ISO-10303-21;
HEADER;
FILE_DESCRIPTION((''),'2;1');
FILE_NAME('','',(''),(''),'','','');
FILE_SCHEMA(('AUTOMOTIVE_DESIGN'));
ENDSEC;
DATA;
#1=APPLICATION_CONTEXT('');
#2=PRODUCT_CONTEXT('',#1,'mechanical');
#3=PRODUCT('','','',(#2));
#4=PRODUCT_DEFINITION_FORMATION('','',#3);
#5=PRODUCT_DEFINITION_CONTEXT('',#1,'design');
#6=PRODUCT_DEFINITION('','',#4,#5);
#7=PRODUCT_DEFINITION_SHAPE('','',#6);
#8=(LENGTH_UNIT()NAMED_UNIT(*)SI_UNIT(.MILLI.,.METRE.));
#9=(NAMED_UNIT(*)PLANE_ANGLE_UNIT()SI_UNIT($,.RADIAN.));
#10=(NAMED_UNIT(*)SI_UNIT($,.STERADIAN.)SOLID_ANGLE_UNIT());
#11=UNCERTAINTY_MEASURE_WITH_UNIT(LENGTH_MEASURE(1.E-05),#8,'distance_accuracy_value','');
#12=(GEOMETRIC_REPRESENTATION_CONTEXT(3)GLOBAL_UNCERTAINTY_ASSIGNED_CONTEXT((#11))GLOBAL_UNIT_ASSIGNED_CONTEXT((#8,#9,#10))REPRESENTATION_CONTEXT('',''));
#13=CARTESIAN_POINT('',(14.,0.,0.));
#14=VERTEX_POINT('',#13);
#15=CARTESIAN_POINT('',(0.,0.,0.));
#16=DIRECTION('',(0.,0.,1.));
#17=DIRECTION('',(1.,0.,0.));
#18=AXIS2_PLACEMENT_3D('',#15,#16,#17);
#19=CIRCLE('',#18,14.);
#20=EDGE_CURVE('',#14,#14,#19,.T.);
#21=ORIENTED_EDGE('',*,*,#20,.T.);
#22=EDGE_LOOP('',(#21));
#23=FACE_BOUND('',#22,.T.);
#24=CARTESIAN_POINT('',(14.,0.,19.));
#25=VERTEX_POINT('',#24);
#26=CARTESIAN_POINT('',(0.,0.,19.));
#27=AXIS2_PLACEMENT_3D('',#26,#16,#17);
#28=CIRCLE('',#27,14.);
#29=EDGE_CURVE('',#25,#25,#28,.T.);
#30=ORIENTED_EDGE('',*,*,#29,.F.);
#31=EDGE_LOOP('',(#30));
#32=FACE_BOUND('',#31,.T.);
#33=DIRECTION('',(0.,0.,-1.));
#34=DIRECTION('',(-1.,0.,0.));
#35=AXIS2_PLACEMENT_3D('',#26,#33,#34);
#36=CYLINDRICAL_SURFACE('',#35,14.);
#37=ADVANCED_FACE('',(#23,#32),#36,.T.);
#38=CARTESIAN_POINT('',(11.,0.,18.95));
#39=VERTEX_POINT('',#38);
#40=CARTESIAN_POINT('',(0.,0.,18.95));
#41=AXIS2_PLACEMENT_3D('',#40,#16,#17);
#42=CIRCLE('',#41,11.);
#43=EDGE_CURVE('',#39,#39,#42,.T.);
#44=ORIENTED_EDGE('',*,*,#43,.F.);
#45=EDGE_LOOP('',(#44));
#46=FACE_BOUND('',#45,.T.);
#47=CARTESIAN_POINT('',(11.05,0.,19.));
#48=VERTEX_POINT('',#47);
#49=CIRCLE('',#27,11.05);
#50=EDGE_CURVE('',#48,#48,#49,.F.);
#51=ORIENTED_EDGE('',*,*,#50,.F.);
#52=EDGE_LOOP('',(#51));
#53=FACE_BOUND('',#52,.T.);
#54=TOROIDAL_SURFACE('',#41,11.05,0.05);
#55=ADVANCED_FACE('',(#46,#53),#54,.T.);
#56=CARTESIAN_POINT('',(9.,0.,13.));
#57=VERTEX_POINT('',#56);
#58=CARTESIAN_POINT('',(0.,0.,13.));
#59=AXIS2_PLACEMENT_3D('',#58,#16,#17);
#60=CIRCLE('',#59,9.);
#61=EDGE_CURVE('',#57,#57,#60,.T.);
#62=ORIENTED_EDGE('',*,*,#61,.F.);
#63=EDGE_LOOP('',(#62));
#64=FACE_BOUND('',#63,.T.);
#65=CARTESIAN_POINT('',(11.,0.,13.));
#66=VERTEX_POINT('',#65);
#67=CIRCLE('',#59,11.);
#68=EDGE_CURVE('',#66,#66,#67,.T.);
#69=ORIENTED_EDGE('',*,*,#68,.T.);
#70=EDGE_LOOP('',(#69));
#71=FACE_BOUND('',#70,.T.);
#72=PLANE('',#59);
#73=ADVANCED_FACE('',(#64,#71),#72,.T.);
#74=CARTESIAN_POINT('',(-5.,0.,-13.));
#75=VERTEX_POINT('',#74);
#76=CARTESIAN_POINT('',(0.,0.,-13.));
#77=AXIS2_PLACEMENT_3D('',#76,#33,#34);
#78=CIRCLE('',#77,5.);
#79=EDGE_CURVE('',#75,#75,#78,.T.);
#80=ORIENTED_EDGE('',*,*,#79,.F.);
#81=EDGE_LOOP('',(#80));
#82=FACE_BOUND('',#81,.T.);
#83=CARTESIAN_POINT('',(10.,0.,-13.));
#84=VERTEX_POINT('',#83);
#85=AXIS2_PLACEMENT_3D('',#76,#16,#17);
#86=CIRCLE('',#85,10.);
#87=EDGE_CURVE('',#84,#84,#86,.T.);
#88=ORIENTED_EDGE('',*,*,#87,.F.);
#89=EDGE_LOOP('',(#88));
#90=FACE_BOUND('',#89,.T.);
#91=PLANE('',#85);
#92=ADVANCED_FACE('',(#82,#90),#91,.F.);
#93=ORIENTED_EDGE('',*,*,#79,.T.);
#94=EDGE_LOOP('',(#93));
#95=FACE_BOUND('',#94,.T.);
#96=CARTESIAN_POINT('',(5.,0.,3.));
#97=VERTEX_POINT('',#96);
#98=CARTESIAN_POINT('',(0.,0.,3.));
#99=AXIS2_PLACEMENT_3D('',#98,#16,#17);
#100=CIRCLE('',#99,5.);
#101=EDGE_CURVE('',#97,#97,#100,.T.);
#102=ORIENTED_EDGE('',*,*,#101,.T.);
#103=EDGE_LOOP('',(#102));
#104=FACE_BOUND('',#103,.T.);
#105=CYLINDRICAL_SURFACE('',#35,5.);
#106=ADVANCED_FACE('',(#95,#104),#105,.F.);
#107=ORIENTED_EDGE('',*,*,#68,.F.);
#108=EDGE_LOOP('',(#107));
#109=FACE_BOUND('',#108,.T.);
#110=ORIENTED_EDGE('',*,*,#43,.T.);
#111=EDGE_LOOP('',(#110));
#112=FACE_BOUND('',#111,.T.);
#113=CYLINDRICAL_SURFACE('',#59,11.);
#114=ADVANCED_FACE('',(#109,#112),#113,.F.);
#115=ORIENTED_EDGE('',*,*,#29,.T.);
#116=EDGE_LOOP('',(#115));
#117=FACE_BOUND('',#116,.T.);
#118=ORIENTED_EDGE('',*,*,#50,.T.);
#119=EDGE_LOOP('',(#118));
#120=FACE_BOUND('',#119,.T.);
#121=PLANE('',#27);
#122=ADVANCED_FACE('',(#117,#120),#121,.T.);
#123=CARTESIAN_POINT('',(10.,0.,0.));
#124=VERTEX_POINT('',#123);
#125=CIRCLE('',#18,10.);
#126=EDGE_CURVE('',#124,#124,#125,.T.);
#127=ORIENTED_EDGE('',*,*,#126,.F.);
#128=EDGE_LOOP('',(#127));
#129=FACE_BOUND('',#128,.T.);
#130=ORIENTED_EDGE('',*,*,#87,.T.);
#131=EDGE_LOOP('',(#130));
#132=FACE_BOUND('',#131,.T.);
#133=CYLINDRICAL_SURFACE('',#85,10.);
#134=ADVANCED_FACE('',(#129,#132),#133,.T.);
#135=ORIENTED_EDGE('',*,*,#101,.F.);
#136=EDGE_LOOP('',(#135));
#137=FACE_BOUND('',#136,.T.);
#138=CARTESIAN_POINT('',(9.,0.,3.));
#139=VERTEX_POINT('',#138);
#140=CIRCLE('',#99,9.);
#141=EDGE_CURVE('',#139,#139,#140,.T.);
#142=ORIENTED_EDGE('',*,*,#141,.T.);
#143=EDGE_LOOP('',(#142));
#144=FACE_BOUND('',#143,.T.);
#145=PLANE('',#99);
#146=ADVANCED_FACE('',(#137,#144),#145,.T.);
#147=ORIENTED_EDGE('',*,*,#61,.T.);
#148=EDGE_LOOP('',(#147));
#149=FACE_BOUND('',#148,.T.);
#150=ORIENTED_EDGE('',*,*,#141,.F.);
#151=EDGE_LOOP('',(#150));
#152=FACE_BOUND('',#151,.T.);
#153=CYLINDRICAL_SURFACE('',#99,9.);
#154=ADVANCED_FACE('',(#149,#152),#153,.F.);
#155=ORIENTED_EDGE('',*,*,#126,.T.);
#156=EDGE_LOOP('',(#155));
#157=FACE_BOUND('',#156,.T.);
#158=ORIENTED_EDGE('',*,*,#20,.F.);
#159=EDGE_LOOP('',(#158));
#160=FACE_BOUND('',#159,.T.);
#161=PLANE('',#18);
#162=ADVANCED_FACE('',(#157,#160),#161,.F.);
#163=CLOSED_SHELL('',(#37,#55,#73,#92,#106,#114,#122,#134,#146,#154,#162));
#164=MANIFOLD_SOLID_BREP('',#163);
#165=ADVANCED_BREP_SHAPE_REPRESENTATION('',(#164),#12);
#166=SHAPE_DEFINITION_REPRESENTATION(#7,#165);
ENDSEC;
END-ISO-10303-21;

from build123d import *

# Parameters (mm, degrees)
SKETCH2_R           = 10
BOSS_EXTRUDE1_DEPTH = 13
SKETCH3_R           = 14
BOSS_EXTRUDE2_DEPTH = 19
SKETCH4_R           = 11
CUT_EXTRUDE1_DEPTH  = 6
SKETCH5_R           = 9
CUT_EXTRUDE2_DEPTH  = 10
SKETCH6_R           = 5
CUT_EXTRUDE3_DEPTH  = 33
FILLET1_R           = 0.05


with BuildPart() as part:
    # Sketch2 → Boss-Extrude1 (new body)
    with BuildSketch(Plane.XY):
        Circle(SKETCH2_R)
    extrude(amount=-BOSS_EXTRUDE1_DEPTH)

    # Sketch3 → Boss-Extrude2 (add)
    with BuildSketch(Plane.XY):
        Circle(SKETCH3_R)
    extrude(amount=BOSS_EXTRUDE2_DEPTH)

    # Sketch4 → Cut-Extrude1 (cut)
    with BuildSketch(Plane.XY.offset(19)):
        Circle(SKETCH4_R)
    extrude(amount=-CUT_EXTRUDE1_DEPTH, mode=Mode.SUBTRACT)

    # Sketch5 → Cut-Extrude2 (cut)
    with BuildSketch(Plane.XY.offset(13)):
        Circle(SKETCH5_R)
    extrude(amount=-CUT_EXTRUDE2_DEPTH, mode=Mode.SUBTRACT)

    # Sketch6 → Cut-Extrude3 (cut, through all)
    with BuildSketch(Plane(origin=(0, 0, -13), x_dir=(-1, 0, 0), z_dir=(0, 0, -1))):
        Circle(SKETCH6_R)
    extrude(amount=-CUT_EXTRUDE3_DEPTH, mode=Mode.SUBTRACT)

    # Fillet1
    fillet1_edges = [part.edges().sort_by_distance(p)[0] for p in [
        (-11, 0, 19),
    ]]
    fillet(fillet1_edges, radius=FILLET1_R)


solid = part.part
